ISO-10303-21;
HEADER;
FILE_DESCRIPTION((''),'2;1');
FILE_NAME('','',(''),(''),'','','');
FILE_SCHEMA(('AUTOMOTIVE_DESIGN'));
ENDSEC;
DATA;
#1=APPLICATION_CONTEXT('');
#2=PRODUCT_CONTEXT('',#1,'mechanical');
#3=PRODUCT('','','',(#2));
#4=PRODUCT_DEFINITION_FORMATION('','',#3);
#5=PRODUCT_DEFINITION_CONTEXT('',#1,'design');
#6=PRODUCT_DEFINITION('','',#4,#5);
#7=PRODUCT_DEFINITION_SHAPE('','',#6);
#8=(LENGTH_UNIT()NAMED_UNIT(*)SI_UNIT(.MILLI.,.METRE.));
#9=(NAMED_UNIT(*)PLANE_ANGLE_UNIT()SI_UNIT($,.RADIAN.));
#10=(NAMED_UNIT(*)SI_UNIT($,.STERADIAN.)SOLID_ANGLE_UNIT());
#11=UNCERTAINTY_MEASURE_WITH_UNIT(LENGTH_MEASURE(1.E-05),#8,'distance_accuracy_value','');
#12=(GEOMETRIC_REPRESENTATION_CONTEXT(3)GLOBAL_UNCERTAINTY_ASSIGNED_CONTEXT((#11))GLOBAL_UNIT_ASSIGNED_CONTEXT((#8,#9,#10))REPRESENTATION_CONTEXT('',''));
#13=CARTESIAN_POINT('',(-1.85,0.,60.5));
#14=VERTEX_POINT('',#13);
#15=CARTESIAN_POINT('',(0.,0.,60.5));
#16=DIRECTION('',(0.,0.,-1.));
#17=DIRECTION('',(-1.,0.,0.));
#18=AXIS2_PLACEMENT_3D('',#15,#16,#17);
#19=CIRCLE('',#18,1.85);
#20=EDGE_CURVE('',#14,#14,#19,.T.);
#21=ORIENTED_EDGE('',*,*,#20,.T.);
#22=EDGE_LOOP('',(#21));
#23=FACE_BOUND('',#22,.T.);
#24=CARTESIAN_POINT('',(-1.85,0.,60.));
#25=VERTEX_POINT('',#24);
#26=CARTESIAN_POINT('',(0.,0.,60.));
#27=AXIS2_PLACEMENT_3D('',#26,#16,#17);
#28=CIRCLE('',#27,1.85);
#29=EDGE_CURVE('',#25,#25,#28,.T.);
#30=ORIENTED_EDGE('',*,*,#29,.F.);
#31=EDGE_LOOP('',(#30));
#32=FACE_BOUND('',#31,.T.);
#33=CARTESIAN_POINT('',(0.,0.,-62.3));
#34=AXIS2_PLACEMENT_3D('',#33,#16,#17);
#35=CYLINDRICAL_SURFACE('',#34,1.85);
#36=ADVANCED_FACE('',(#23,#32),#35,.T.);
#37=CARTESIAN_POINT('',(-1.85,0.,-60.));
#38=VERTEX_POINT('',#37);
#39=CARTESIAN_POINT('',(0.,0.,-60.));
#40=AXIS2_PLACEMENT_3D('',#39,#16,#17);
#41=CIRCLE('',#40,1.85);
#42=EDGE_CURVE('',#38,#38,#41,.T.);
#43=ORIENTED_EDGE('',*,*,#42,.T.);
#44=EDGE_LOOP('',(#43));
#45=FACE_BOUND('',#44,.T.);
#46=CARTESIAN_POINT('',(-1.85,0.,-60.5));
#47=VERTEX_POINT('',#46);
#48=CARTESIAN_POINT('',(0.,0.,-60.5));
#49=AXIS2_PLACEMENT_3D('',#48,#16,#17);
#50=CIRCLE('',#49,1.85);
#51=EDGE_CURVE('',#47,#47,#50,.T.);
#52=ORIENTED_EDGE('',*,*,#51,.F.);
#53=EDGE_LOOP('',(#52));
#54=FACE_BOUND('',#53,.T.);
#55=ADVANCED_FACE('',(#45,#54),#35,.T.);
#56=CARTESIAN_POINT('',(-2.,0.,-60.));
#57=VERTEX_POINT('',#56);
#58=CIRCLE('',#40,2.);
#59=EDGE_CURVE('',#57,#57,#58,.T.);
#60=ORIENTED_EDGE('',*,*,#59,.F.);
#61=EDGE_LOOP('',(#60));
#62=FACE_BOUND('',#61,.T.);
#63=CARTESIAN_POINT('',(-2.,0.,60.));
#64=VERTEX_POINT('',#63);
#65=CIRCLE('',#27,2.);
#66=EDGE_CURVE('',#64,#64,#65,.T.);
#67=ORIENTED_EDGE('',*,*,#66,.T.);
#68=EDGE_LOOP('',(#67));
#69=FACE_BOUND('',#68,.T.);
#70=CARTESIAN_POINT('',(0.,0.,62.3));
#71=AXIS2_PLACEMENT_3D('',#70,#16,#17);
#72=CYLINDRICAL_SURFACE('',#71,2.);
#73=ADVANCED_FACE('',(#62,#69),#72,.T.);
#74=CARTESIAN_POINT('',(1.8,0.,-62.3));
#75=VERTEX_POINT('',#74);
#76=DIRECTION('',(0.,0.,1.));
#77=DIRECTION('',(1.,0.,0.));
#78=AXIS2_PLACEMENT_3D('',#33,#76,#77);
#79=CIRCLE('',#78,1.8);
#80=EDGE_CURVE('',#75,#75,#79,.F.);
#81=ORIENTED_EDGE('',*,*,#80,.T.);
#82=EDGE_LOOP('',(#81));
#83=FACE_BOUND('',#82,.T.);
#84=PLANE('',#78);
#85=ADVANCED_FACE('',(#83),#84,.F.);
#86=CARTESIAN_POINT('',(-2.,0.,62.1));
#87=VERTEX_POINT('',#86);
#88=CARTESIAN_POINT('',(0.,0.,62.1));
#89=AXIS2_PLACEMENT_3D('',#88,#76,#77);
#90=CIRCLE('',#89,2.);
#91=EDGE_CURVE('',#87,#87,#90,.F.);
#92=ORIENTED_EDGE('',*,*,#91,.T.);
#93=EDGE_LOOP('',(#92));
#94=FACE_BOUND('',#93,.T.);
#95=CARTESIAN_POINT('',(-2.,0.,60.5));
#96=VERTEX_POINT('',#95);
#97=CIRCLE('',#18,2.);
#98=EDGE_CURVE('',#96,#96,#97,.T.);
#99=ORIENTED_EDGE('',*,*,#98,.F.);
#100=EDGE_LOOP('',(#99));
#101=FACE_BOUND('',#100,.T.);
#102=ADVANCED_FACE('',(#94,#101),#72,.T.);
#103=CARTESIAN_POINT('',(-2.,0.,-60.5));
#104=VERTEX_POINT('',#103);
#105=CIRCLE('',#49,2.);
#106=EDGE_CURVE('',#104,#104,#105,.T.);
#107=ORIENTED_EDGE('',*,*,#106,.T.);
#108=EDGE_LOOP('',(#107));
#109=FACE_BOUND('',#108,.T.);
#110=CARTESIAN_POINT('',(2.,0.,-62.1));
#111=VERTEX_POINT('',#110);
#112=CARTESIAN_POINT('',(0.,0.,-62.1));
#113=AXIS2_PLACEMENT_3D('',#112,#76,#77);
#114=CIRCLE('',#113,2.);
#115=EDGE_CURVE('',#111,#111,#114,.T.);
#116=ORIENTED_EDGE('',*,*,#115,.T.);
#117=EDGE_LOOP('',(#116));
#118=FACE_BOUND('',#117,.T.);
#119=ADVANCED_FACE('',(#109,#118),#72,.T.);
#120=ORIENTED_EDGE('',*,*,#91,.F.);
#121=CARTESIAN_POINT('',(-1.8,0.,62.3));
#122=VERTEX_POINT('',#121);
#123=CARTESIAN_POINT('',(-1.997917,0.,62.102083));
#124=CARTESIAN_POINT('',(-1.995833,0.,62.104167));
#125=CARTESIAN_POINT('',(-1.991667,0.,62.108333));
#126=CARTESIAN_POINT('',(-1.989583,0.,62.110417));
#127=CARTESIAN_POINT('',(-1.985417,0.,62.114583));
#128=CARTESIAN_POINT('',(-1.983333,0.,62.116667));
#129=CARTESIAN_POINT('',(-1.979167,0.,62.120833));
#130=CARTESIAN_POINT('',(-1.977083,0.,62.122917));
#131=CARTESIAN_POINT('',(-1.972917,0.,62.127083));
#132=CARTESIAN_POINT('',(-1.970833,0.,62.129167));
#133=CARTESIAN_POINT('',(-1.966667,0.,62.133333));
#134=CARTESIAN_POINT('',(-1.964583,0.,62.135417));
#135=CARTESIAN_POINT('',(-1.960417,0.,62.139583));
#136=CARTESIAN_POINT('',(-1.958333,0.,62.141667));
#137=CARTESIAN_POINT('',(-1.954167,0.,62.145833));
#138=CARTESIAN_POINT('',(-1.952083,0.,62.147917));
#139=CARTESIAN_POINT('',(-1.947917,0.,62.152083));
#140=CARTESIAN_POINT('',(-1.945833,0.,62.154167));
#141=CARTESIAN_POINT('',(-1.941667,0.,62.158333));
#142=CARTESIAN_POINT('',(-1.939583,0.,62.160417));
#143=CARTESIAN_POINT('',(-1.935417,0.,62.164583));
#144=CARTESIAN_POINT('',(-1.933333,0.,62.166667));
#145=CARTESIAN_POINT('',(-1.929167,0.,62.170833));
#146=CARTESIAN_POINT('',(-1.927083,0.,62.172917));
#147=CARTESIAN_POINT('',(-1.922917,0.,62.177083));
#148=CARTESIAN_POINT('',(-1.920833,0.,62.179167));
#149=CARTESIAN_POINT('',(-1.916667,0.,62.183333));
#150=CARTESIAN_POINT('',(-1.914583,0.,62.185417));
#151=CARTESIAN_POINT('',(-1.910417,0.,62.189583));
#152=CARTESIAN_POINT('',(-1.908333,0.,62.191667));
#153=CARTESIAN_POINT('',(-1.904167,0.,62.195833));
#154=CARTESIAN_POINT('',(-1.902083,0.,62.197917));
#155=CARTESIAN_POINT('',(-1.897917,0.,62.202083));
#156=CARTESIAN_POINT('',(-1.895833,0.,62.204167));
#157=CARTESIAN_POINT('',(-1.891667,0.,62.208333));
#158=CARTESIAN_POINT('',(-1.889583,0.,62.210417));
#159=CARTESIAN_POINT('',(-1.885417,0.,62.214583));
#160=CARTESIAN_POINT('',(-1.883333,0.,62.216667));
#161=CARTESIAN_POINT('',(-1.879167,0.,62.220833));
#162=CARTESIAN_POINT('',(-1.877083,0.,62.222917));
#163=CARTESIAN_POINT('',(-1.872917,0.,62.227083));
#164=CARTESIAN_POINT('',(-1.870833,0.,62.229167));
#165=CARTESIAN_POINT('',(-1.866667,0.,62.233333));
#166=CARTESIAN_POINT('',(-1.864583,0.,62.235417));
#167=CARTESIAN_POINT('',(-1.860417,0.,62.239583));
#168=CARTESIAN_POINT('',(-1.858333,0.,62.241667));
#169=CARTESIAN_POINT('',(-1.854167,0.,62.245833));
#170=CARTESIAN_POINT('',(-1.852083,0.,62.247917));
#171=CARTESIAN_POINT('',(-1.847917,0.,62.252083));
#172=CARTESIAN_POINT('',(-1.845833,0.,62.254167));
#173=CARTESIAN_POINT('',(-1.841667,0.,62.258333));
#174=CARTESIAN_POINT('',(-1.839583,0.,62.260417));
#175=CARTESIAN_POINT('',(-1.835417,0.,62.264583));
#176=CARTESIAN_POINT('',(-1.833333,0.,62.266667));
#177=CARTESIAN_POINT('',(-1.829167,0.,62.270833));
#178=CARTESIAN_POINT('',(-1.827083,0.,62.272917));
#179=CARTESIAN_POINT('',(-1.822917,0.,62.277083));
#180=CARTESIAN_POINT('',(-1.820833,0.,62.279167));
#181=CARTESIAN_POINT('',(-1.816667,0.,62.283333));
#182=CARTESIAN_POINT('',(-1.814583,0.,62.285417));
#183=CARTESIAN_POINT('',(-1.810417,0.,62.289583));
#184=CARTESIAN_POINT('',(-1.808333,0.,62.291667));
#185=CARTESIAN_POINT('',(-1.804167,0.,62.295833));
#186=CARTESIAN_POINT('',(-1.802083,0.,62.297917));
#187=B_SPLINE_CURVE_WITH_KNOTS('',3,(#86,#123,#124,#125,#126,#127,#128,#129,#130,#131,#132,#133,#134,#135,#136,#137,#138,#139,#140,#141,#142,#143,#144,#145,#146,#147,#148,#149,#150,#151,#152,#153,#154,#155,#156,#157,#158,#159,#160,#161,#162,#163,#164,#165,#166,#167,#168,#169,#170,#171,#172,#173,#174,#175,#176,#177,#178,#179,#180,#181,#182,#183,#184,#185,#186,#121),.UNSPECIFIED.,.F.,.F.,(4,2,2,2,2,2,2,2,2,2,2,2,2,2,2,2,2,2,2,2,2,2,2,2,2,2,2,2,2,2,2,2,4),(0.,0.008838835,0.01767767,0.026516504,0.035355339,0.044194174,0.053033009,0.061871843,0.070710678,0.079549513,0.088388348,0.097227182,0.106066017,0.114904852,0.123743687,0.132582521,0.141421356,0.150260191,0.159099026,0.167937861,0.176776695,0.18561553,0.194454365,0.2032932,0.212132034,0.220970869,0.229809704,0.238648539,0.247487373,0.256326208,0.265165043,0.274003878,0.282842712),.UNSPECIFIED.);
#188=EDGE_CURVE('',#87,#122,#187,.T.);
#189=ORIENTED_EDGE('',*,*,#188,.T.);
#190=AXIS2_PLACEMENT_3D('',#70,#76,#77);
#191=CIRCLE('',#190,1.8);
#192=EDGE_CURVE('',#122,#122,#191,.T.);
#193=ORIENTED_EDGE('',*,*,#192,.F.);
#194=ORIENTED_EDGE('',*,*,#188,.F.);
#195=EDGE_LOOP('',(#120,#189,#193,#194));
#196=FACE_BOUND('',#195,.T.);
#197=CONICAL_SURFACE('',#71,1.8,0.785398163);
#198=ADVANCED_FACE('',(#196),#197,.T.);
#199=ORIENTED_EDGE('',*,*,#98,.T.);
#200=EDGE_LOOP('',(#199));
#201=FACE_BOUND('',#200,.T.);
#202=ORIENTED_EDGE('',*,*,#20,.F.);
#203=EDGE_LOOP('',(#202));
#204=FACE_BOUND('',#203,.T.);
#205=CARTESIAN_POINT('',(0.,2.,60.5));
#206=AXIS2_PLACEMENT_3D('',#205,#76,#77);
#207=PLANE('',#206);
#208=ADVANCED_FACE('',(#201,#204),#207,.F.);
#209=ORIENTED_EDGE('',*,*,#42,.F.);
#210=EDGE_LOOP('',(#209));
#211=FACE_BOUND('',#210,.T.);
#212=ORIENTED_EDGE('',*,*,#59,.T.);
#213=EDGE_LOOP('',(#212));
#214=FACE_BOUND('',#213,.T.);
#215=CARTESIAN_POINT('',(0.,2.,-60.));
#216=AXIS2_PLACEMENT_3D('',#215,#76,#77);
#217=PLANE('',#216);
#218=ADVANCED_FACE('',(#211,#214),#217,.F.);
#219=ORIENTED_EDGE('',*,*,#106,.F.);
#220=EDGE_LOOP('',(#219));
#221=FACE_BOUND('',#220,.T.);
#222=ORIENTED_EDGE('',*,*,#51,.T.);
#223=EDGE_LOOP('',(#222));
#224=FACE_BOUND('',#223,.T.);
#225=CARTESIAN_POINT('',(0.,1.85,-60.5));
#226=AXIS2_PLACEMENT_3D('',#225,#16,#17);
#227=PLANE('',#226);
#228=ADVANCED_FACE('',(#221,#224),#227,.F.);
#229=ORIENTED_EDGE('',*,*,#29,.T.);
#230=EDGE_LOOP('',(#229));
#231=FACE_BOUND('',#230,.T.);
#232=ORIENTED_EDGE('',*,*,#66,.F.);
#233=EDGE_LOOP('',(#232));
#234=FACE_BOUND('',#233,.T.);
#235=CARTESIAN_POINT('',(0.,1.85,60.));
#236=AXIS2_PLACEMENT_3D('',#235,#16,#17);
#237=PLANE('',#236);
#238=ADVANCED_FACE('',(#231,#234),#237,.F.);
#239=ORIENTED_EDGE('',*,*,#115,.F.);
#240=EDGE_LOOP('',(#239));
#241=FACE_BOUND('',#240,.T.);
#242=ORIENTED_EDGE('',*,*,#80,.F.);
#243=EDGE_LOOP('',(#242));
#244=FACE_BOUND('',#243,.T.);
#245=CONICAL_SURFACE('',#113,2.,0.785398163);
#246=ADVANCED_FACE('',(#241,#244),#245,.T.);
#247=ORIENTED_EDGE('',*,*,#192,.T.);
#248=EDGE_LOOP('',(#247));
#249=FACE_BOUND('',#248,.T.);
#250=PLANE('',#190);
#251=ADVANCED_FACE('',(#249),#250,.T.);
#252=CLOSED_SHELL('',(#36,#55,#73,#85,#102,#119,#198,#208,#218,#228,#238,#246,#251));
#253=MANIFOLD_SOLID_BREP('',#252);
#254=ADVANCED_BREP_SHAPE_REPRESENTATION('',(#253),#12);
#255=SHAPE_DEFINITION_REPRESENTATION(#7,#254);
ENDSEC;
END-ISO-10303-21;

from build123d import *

# Parameters (mm, degrees)
SKIZZE1_R                       = 2
AUFSATZ_LINEAR_AUSTRAGEN1_DEPTH = 62.3
SKIZZE7_W                       = 0.5
SKIZZE7_H                       = 0.15
FASE1_SIZE                      = 0.2


with BuildPart() as part:
    # Skizze1 → Aufsatz-Linear austragen1 (new, symmetric)
    with BuildSketch(Plane.XY):
        Circle(SKIZZE1_R)
    extrude(amount=AUFSATZ_LINEAR_AUSTRAGEN1_DEPTH, both=True)

    # Skizze7 → Schnitt-Rotation1 (revolve, cut)
    with BuildSketch(Plane(origin=(0, 0, 0), x_dir=(0, 0, -1), z_dir=(1, 0, 0)), mode=Mode.PRIVATE) as schnitt_rotation1_sk:
        with Locations((-60.25, 1.925)):
            Rectangle(SKIZZE7_W, SKIZZE7_H)
        with Locations((60.25, 1.925)):
            Rectangle(SKIZZE7_W, SKIZZE7_H)
    revolve(schnitt_rotation1_sk.sketch.rotate(Axis((0, 0, -62.3), (0, 0, 1)), 90), axis=Axis((0, 0, -62.3), (0, 0, 1)), mode=Mode.SUBTRACT)

    # Fase1
    fase1_edges = [part.edges().sort_by_distance(p)[0] for p in [
        (-2, 0, -62.3),
        (-2, 0, 62.3),
    ]]
    chamfer(fase1_edges, length=FASE1_SIZE)


solid = part.part
